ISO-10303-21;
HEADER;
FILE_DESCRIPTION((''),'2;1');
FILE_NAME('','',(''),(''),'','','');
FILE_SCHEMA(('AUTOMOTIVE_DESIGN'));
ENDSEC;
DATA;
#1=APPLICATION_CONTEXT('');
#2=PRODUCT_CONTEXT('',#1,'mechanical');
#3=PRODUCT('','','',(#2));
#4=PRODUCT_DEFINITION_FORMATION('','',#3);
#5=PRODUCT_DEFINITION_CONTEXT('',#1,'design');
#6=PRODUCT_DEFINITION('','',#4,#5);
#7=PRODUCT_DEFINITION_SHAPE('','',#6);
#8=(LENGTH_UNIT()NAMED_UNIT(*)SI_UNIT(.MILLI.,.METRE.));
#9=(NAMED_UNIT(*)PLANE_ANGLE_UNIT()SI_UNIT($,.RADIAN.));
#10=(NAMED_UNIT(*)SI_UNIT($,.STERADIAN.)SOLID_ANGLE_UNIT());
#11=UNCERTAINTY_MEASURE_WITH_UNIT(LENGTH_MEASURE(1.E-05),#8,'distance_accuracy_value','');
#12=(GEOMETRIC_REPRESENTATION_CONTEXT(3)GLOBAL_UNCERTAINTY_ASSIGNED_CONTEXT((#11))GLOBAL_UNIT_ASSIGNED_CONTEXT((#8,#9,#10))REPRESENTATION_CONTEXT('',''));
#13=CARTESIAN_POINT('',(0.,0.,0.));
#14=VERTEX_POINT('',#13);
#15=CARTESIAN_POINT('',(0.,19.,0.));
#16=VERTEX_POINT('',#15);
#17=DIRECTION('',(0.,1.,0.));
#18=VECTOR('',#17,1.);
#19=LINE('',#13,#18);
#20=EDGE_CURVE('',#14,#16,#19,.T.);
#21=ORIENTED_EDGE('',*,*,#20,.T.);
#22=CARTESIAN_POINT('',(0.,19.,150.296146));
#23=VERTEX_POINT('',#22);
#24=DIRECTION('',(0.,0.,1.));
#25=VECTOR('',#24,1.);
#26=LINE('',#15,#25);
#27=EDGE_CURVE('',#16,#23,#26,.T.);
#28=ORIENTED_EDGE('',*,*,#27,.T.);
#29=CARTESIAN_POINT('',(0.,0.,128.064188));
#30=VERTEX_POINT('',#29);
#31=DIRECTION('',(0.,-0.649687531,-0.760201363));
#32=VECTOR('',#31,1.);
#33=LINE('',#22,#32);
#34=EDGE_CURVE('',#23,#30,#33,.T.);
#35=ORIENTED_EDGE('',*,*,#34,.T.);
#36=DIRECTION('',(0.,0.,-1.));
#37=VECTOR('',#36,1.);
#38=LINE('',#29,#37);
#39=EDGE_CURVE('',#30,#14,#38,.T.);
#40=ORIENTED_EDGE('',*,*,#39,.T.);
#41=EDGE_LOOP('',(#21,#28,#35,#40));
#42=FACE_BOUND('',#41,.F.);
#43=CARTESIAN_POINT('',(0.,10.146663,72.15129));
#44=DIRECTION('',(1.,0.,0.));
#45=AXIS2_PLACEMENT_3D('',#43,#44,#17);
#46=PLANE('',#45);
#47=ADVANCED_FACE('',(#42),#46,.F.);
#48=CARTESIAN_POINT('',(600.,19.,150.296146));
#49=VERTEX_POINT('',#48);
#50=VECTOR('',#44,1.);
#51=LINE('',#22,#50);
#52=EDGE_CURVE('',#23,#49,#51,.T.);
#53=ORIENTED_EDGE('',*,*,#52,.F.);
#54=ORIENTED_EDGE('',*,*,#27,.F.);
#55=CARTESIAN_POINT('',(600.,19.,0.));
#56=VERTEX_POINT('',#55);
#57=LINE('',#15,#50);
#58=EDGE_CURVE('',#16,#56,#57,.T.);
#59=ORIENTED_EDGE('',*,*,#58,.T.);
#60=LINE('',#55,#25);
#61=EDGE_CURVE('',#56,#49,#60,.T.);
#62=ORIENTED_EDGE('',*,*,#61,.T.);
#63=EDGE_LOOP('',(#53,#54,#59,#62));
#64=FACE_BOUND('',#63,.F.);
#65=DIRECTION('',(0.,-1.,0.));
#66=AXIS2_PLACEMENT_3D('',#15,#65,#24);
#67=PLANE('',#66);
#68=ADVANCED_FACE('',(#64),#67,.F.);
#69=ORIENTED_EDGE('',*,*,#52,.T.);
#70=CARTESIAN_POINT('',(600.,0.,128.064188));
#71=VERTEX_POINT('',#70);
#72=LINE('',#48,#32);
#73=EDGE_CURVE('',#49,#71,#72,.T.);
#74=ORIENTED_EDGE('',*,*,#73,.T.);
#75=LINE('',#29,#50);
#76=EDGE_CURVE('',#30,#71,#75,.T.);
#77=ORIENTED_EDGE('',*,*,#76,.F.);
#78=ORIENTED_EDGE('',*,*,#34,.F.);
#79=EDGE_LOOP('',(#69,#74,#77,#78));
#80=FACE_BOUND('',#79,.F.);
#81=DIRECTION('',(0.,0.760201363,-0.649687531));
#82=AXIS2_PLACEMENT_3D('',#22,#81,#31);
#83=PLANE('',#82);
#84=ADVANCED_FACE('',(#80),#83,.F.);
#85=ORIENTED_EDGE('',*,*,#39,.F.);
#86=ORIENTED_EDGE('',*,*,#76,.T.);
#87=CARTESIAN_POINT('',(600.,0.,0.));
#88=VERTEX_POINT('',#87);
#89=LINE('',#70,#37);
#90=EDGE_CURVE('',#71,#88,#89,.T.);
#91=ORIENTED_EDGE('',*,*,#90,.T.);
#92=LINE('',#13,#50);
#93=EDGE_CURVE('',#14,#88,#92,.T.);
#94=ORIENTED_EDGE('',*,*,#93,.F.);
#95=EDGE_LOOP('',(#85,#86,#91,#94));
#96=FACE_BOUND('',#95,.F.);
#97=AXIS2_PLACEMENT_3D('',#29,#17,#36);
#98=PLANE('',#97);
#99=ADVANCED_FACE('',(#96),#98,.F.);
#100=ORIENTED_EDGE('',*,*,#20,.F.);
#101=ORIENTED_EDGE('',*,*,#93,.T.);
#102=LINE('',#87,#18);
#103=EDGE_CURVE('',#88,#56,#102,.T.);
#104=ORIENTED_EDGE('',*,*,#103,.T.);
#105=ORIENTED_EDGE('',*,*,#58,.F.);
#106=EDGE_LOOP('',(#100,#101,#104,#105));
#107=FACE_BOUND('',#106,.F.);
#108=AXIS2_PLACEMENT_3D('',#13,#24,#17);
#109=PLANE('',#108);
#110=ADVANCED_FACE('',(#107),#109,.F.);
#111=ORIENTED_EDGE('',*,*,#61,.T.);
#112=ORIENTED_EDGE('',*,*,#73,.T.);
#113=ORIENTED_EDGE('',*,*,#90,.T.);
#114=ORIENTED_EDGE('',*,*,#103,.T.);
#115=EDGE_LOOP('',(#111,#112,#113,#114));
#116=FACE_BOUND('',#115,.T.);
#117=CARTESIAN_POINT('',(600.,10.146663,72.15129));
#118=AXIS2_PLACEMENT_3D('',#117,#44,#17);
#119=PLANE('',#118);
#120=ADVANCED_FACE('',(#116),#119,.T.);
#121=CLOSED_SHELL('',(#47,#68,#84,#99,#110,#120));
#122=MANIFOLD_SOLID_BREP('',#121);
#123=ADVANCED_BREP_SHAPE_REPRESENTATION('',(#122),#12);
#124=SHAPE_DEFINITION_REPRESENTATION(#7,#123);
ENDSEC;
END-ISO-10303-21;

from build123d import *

# Parameters (mm, degrees)
PAD_DEPTH = 600


with BuildPart() as part:
    # Sketch → Pad (new body)
    with BuildSketch(Plane.YZ):
        Polygon((0, 0), (19, 0), (19, 150.296146), (0, 128.064188), align=None)
    extrude(amount=PAD_DEPTH)


solid = part.part
